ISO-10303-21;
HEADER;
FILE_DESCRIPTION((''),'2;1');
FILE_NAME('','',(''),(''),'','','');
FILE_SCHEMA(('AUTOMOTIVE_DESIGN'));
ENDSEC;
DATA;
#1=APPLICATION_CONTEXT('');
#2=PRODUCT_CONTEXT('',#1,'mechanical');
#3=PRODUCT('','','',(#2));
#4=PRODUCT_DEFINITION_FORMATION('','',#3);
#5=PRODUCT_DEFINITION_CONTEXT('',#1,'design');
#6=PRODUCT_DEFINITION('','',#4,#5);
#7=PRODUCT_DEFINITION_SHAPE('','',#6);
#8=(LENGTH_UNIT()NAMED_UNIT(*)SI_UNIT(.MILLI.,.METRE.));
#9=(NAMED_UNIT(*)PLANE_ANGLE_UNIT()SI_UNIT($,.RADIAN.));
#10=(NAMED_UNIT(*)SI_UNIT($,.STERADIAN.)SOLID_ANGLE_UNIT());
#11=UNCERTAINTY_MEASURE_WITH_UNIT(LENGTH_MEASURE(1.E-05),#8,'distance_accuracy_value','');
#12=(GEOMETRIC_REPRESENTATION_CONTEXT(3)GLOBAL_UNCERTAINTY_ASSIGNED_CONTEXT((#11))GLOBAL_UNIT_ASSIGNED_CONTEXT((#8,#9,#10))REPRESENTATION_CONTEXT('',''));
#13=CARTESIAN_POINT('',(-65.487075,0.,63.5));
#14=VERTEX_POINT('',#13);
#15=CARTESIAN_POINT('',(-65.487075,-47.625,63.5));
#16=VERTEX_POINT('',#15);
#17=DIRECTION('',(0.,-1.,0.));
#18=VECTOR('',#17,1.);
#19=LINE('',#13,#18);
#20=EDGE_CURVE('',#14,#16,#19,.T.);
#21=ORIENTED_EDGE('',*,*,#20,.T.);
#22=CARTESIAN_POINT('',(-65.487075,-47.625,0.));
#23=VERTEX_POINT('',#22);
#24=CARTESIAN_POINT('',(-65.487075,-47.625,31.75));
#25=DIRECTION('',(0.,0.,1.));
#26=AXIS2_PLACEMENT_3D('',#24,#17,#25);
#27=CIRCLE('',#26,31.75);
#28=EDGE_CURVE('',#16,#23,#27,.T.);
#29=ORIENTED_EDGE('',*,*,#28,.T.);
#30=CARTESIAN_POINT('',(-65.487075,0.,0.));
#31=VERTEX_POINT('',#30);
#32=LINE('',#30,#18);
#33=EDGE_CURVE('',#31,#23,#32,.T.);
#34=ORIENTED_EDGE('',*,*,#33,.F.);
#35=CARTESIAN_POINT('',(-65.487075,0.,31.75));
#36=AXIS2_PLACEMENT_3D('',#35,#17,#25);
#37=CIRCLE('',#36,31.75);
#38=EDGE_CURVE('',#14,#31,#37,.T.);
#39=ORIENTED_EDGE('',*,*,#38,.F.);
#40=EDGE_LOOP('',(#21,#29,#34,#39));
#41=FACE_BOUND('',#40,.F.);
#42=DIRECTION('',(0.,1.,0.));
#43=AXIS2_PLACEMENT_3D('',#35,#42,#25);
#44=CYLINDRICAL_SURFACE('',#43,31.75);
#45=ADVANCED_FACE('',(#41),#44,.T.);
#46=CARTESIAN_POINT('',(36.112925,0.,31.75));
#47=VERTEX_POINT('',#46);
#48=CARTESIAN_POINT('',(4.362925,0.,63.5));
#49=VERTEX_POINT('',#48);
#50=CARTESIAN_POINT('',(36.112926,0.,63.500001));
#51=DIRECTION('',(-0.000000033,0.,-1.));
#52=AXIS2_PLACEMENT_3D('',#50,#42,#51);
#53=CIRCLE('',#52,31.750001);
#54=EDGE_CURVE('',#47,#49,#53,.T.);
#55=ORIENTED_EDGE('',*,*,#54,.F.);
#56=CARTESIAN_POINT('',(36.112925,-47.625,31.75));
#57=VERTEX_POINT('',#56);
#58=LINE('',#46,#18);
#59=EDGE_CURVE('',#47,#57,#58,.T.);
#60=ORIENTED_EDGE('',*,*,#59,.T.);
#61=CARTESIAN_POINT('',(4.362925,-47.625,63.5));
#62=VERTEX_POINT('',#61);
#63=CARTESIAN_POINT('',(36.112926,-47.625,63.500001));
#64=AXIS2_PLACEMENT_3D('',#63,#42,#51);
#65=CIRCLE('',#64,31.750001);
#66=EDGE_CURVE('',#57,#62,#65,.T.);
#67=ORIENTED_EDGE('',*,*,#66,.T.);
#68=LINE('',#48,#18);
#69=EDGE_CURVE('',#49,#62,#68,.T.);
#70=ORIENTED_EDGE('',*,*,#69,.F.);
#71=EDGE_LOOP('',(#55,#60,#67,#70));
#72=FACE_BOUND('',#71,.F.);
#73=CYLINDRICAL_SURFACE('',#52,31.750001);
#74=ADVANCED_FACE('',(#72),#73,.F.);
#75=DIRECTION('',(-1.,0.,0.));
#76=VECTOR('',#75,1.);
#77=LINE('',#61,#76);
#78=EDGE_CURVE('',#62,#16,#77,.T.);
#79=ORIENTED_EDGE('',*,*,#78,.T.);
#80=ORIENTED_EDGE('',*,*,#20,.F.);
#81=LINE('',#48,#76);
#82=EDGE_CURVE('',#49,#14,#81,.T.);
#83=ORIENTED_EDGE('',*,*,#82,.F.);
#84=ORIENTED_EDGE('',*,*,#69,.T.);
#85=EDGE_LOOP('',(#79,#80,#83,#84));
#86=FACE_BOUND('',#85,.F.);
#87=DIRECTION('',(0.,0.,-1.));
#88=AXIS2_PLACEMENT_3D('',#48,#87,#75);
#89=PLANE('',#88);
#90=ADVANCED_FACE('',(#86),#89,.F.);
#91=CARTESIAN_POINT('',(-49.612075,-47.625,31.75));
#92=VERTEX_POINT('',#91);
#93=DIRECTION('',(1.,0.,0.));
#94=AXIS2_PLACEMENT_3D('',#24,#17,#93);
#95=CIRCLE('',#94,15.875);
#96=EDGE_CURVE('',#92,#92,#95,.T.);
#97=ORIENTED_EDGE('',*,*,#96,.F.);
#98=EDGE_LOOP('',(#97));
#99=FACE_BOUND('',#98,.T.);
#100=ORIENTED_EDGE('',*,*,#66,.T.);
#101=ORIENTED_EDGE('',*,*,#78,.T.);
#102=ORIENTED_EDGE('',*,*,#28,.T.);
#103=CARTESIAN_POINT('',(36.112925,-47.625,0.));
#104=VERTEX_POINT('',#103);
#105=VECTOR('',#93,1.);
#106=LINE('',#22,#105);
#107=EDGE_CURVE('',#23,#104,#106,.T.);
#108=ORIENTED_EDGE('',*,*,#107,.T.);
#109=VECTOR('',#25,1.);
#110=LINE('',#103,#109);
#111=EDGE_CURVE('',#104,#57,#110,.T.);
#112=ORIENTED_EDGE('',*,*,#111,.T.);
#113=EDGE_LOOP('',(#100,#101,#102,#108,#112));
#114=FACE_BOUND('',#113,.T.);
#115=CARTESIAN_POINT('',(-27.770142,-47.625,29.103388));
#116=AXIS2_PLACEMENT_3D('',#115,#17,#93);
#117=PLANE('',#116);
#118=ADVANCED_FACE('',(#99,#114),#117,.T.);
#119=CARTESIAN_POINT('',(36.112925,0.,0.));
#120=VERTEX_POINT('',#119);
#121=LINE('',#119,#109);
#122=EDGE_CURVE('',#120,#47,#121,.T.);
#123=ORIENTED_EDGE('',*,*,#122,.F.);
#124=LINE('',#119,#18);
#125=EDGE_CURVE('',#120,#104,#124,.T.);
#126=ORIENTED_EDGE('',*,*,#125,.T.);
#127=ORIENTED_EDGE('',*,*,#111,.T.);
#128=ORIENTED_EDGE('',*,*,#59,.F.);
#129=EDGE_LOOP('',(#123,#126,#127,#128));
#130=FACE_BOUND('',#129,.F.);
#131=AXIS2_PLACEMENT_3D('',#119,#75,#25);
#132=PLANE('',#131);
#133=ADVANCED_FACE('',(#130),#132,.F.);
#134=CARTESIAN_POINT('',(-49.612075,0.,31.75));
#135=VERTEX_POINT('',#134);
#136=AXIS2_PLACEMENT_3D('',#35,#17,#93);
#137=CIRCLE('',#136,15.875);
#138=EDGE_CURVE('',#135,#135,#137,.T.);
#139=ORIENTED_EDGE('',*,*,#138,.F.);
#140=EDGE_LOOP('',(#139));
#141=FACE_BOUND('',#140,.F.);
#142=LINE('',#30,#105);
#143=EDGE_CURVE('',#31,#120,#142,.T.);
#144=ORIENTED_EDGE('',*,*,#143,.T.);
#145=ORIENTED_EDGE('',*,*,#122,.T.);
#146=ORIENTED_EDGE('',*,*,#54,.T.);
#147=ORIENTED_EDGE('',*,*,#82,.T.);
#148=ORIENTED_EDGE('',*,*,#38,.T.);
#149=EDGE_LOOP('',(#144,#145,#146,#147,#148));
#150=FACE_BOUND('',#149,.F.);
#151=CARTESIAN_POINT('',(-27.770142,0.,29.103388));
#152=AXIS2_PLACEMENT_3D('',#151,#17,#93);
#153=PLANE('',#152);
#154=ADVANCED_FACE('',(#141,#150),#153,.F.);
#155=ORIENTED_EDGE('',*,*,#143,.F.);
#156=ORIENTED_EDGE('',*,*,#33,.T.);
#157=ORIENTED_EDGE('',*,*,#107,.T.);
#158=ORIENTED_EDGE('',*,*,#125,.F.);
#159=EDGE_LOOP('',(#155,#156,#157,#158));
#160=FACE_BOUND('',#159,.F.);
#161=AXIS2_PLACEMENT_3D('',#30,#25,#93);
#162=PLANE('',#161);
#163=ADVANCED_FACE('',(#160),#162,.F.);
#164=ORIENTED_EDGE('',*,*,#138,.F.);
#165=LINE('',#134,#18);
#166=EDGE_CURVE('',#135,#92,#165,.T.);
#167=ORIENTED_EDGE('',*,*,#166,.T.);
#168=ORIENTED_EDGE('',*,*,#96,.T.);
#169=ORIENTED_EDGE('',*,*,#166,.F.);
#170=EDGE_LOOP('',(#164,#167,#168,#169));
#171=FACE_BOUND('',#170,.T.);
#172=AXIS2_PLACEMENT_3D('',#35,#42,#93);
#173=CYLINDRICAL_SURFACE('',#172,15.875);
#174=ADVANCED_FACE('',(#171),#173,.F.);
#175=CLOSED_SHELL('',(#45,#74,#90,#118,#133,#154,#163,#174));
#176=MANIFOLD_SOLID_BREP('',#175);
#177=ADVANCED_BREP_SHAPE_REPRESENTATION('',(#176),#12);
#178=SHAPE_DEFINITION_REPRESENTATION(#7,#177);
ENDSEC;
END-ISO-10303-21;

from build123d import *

# Parameters (mm, degrees)
F0_R     = 15.875
F1_DEPTH = 47.625


with BuildPart() as f1:
    # F0 (on Front) → F1 (new body)
    with BuildSketch(Plane.XZ):
        with BuildLine():
            ThreePointArc((-65.487075, 63.5), (-97.237075, 31.75), (-65.487075, 0))
            Line((-65.487075, 0), (36.112925, 0))
            Line((36.112925, 0), (36.112925, 31.75))
            ThreePointArc((36.112925, 31.75), (13.662285, 41.04936), (4.362925, 63.5))
            Line((4.362925, 63.5), (-65.487075, 63.5))
        make_face()
        with Locations((-65.487075, 31.75)):
            Circle(F0_R, mode=Mode.SUBTRACT)
    extrude(amount=F1_DEPTH)


solid = f1.part
